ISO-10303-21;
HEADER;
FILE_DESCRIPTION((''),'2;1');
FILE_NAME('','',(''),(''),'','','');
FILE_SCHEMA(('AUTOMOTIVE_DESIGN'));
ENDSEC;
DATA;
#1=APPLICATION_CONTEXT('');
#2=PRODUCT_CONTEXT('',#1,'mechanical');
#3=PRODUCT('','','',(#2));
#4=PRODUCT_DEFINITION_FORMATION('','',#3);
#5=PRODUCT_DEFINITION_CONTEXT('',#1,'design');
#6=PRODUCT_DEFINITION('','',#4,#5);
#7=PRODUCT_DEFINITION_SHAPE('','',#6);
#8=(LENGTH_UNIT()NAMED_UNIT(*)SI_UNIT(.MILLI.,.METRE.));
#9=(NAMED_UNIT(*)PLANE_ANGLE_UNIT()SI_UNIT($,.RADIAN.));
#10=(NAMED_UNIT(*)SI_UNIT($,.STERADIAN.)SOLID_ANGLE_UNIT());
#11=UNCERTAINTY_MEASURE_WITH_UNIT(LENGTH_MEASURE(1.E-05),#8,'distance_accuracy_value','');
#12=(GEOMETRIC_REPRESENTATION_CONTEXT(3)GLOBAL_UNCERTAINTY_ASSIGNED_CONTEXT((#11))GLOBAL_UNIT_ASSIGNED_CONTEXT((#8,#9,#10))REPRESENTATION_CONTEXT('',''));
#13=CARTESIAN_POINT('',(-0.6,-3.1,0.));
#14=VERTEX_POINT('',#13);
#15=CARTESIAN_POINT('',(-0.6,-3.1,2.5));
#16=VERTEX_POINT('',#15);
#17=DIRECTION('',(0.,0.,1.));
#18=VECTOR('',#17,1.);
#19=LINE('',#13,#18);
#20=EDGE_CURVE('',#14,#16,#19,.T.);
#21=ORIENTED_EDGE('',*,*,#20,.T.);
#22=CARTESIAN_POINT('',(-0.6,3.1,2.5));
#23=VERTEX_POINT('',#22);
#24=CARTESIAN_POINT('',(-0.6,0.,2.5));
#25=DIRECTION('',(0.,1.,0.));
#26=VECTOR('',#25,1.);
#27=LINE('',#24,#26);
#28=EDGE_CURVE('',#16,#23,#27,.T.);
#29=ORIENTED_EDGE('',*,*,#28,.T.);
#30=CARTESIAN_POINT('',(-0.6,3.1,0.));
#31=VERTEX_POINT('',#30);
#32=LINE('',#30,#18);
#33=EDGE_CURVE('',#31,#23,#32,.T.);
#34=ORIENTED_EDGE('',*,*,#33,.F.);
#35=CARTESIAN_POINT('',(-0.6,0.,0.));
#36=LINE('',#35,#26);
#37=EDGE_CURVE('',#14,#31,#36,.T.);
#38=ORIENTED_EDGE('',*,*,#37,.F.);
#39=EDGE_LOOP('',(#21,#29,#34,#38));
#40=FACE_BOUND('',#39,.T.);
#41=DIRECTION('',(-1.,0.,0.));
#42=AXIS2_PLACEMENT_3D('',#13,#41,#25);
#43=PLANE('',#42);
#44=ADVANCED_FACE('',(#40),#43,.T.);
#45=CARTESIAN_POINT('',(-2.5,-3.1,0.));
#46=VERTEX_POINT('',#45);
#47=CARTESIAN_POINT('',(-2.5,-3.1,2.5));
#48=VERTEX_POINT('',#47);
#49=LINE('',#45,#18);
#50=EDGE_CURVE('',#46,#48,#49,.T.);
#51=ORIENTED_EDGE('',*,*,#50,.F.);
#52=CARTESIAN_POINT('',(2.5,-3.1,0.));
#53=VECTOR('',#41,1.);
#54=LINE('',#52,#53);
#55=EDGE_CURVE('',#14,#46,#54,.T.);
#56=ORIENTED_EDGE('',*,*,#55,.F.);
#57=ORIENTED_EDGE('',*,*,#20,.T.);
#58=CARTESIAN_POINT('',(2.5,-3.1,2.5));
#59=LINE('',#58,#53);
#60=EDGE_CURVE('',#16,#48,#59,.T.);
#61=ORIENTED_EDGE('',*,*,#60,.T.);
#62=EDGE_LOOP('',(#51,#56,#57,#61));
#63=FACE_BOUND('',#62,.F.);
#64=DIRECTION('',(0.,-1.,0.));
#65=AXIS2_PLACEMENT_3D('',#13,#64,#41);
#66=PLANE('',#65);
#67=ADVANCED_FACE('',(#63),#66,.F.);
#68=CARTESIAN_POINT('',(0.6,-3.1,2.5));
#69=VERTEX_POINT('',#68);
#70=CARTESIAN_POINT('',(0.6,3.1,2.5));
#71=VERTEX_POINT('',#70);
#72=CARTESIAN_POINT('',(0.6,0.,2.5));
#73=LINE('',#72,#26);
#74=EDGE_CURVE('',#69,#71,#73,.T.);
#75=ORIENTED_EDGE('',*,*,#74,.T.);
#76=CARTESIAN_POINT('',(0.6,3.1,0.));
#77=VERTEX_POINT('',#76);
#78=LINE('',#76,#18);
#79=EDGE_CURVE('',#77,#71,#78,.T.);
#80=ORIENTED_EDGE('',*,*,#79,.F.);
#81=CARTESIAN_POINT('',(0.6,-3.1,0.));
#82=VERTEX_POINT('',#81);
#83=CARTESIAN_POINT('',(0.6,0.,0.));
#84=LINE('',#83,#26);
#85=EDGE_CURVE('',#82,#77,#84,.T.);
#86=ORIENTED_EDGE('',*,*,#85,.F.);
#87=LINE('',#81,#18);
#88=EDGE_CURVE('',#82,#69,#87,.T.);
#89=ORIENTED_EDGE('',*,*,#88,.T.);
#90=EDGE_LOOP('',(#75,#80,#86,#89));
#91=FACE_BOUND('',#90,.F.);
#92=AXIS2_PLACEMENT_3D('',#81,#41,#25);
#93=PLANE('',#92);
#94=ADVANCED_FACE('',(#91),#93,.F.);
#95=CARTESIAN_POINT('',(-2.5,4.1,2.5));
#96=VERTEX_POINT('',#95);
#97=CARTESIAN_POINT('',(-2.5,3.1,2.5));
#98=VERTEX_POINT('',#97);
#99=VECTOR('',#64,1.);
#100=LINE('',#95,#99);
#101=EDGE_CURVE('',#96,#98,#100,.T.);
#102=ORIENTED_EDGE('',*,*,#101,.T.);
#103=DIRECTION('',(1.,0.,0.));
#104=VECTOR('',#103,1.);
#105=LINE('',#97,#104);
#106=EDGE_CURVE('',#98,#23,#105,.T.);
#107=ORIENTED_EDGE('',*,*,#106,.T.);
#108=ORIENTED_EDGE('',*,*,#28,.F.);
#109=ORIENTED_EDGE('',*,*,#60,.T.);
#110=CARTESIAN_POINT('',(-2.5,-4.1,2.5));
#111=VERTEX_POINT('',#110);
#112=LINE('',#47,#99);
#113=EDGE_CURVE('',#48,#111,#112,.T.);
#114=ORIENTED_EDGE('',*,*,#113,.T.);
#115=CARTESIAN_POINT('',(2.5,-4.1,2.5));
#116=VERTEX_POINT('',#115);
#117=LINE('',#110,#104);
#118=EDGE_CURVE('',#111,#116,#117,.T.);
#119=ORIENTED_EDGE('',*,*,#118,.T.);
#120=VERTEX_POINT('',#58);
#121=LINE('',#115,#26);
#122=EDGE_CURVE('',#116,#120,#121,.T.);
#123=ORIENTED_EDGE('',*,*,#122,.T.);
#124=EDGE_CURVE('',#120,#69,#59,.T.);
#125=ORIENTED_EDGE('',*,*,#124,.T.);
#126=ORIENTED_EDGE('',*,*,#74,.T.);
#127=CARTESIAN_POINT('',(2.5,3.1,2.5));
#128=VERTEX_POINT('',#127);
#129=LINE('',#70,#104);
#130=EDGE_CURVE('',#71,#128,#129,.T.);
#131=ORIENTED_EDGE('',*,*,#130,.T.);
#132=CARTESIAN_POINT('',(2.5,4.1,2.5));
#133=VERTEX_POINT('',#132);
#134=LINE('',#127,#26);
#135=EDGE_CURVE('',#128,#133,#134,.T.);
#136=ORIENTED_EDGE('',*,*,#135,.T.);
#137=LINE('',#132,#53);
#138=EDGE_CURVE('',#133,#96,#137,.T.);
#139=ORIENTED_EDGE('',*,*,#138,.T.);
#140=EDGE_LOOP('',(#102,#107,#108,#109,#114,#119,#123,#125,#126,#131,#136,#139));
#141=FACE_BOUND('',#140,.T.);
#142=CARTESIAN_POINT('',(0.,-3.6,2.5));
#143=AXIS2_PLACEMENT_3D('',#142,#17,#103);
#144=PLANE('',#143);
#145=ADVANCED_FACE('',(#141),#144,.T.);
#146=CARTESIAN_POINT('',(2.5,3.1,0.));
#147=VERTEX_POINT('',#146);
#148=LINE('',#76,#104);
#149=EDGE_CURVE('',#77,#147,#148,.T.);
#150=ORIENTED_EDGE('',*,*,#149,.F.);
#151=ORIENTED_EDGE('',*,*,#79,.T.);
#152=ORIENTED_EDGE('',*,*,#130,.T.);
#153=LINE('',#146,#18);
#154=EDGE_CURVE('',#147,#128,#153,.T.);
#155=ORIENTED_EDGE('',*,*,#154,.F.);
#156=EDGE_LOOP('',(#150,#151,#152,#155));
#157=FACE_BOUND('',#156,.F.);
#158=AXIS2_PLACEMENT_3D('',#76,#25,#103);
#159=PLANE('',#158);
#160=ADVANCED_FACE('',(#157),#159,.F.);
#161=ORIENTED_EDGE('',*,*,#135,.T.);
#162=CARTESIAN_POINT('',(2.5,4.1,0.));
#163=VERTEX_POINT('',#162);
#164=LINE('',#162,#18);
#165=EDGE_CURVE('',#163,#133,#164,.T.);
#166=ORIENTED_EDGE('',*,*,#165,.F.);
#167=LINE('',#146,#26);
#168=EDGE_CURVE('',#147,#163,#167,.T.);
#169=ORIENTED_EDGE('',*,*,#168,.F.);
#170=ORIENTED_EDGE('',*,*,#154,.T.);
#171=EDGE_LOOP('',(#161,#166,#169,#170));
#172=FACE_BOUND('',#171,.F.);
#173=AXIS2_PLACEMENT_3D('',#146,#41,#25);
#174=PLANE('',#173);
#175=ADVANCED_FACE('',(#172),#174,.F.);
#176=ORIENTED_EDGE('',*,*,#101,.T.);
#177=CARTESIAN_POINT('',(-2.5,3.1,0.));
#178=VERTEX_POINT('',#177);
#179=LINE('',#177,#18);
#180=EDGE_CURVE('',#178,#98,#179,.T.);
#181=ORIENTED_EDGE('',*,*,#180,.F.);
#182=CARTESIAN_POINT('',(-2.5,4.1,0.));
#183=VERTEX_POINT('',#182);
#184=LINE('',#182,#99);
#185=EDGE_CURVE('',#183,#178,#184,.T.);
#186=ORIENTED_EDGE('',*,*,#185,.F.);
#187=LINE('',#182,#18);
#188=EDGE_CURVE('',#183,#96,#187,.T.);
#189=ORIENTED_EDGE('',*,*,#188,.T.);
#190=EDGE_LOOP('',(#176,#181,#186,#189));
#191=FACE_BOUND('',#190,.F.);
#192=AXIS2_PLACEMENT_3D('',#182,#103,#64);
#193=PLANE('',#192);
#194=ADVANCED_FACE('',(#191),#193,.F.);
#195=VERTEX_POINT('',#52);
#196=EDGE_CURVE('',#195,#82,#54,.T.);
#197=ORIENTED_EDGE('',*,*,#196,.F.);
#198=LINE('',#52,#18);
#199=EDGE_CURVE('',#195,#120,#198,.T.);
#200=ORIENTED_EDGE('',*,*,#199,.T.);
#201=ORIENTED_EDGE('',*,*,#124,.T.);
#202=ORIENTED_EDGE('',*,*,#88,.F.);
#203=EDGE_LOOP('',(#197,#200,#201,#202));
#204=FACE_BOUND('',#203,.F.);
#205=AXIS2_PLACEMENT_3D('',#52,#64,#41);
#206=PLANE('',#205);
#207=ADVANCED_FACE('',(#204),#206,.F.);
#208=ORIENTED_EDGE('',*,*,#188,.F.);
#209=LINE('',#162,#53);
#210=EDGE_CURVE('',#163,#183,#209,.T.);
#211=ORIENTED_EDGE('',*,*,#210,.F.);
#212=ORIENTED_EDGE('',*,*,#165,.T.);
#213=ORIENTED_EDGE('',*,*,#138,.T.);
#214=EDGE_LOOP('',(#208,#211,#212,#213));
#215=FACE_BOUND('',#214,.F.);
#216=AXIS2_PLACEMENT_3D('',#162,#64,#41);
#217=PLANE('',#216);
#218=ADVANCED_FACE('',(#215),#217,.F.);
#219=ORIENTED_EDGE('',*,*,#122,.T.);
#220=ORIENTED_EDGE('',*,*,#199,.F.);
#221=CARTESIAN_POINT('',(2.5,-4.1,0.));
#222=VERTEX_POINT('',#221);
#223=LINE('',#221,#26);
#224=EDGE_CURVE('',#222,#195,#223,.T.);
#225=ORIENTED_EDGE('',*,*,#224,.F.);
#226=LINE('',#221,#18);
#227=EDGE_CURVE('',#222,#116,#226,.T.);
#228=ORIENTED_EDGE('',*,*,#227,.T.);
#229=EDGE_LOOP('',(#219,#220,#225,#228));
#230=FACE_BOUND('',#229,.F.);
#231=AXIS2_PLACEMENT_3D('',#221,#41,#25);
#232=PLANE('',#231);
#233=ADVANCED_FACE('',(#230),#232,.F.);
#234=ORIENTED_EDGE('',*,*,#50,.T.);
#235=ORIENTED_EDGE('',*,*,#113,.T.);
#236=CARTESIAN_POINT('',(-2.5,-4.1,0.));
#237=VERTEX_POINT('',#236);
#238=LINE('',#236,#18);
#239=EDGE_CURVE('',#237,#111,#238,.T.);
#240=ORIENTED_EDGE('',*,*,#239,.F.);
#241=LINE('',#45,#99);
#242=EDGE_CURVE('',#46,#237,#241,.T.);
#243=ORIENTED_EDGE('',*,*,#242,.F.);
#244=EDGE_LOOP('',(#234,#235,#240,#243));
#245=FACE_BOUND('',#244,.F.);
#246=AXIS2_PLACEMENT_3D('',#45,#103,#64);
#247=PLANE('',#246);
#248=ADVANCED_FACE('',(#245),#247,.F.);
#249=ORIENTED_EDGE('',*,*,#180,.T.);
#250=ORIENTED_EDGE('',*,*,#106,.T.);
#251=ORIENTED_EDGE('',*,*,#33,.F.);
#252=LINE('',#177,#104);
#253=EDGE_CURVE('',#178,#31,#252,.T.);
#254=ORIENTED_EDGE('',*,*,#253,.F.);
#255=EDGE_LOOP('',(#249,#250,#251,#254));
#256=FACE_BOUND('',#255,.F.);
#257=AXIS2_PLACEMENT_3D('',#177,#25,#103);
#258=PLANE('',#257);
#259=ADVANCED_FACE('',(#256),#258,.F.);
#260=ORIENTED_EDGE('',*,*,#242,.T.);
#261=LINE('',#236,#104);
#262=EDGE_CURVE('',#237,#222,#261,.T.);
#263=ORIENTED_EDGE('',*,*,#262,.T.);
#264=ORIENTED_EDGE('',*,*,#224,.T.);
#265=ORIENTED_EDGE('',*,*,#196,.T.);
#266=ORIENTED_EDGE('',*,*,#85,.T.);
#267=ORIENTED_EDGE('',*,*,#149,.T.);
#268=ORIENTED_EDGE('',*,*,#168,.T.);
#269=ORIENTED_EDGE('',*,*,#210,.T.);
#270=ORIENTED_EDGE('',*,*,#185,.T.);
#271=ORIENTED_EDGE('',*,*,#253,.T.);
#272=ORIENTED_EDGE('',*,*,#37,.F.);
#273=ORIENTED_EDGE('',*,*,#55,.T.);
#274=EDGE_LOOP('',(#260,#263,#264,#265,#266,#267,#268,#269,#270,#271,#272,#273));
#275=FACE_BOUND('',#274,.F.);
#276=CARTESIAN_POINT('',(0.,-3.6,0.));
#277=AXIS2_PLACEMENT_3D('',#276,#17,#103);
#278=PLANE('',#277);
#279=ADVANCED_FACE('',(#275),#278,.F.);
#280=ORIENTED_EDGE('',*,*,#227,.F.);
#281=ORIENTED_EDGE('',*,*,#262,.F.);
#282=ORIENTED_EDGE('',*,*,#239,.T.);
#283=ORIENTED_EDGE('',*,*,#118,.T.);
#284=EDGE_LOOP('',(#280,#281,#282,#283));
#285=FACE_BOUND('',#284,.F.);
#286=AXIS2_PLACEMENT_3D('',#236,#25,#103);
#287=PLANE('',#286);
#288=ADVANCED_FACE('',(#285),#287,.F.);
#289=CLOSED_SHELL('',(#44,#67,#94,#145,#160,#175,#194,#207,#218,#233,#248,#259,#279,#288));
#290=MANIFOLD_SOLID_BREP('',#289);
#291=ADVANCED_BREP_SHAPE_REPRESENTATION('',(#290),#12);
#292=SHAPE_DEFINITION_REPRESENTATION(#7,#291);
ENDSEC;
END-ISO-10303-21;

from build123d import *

# Parameters (mm, degrees)
F0_W     = 1.2
F0_H     = 6.2
F1_DEPTH = 2.5


with BuildPart() as f1:
    # F0 (on Top) → F1 (new body)
    with BuildSketch(Plane.XY):
        Polygon((2.5, -3.1), (0.6, -3.1), (-0.6, -3.1), (-2.5, -3.1), (-2.5, -4.1), (2.5, -4.1), align=None)
        Rectangle(F0_W, F0_H)
        Polygon((-0.6, 3.1), (0.6, 3.1), (2.5, 3.1), (2.5, 4.1), (-2.5, 4.1), (-2.5, 3.1), align=None)
    extrude(amount=F1_DEPTH)


solid = f1.part
